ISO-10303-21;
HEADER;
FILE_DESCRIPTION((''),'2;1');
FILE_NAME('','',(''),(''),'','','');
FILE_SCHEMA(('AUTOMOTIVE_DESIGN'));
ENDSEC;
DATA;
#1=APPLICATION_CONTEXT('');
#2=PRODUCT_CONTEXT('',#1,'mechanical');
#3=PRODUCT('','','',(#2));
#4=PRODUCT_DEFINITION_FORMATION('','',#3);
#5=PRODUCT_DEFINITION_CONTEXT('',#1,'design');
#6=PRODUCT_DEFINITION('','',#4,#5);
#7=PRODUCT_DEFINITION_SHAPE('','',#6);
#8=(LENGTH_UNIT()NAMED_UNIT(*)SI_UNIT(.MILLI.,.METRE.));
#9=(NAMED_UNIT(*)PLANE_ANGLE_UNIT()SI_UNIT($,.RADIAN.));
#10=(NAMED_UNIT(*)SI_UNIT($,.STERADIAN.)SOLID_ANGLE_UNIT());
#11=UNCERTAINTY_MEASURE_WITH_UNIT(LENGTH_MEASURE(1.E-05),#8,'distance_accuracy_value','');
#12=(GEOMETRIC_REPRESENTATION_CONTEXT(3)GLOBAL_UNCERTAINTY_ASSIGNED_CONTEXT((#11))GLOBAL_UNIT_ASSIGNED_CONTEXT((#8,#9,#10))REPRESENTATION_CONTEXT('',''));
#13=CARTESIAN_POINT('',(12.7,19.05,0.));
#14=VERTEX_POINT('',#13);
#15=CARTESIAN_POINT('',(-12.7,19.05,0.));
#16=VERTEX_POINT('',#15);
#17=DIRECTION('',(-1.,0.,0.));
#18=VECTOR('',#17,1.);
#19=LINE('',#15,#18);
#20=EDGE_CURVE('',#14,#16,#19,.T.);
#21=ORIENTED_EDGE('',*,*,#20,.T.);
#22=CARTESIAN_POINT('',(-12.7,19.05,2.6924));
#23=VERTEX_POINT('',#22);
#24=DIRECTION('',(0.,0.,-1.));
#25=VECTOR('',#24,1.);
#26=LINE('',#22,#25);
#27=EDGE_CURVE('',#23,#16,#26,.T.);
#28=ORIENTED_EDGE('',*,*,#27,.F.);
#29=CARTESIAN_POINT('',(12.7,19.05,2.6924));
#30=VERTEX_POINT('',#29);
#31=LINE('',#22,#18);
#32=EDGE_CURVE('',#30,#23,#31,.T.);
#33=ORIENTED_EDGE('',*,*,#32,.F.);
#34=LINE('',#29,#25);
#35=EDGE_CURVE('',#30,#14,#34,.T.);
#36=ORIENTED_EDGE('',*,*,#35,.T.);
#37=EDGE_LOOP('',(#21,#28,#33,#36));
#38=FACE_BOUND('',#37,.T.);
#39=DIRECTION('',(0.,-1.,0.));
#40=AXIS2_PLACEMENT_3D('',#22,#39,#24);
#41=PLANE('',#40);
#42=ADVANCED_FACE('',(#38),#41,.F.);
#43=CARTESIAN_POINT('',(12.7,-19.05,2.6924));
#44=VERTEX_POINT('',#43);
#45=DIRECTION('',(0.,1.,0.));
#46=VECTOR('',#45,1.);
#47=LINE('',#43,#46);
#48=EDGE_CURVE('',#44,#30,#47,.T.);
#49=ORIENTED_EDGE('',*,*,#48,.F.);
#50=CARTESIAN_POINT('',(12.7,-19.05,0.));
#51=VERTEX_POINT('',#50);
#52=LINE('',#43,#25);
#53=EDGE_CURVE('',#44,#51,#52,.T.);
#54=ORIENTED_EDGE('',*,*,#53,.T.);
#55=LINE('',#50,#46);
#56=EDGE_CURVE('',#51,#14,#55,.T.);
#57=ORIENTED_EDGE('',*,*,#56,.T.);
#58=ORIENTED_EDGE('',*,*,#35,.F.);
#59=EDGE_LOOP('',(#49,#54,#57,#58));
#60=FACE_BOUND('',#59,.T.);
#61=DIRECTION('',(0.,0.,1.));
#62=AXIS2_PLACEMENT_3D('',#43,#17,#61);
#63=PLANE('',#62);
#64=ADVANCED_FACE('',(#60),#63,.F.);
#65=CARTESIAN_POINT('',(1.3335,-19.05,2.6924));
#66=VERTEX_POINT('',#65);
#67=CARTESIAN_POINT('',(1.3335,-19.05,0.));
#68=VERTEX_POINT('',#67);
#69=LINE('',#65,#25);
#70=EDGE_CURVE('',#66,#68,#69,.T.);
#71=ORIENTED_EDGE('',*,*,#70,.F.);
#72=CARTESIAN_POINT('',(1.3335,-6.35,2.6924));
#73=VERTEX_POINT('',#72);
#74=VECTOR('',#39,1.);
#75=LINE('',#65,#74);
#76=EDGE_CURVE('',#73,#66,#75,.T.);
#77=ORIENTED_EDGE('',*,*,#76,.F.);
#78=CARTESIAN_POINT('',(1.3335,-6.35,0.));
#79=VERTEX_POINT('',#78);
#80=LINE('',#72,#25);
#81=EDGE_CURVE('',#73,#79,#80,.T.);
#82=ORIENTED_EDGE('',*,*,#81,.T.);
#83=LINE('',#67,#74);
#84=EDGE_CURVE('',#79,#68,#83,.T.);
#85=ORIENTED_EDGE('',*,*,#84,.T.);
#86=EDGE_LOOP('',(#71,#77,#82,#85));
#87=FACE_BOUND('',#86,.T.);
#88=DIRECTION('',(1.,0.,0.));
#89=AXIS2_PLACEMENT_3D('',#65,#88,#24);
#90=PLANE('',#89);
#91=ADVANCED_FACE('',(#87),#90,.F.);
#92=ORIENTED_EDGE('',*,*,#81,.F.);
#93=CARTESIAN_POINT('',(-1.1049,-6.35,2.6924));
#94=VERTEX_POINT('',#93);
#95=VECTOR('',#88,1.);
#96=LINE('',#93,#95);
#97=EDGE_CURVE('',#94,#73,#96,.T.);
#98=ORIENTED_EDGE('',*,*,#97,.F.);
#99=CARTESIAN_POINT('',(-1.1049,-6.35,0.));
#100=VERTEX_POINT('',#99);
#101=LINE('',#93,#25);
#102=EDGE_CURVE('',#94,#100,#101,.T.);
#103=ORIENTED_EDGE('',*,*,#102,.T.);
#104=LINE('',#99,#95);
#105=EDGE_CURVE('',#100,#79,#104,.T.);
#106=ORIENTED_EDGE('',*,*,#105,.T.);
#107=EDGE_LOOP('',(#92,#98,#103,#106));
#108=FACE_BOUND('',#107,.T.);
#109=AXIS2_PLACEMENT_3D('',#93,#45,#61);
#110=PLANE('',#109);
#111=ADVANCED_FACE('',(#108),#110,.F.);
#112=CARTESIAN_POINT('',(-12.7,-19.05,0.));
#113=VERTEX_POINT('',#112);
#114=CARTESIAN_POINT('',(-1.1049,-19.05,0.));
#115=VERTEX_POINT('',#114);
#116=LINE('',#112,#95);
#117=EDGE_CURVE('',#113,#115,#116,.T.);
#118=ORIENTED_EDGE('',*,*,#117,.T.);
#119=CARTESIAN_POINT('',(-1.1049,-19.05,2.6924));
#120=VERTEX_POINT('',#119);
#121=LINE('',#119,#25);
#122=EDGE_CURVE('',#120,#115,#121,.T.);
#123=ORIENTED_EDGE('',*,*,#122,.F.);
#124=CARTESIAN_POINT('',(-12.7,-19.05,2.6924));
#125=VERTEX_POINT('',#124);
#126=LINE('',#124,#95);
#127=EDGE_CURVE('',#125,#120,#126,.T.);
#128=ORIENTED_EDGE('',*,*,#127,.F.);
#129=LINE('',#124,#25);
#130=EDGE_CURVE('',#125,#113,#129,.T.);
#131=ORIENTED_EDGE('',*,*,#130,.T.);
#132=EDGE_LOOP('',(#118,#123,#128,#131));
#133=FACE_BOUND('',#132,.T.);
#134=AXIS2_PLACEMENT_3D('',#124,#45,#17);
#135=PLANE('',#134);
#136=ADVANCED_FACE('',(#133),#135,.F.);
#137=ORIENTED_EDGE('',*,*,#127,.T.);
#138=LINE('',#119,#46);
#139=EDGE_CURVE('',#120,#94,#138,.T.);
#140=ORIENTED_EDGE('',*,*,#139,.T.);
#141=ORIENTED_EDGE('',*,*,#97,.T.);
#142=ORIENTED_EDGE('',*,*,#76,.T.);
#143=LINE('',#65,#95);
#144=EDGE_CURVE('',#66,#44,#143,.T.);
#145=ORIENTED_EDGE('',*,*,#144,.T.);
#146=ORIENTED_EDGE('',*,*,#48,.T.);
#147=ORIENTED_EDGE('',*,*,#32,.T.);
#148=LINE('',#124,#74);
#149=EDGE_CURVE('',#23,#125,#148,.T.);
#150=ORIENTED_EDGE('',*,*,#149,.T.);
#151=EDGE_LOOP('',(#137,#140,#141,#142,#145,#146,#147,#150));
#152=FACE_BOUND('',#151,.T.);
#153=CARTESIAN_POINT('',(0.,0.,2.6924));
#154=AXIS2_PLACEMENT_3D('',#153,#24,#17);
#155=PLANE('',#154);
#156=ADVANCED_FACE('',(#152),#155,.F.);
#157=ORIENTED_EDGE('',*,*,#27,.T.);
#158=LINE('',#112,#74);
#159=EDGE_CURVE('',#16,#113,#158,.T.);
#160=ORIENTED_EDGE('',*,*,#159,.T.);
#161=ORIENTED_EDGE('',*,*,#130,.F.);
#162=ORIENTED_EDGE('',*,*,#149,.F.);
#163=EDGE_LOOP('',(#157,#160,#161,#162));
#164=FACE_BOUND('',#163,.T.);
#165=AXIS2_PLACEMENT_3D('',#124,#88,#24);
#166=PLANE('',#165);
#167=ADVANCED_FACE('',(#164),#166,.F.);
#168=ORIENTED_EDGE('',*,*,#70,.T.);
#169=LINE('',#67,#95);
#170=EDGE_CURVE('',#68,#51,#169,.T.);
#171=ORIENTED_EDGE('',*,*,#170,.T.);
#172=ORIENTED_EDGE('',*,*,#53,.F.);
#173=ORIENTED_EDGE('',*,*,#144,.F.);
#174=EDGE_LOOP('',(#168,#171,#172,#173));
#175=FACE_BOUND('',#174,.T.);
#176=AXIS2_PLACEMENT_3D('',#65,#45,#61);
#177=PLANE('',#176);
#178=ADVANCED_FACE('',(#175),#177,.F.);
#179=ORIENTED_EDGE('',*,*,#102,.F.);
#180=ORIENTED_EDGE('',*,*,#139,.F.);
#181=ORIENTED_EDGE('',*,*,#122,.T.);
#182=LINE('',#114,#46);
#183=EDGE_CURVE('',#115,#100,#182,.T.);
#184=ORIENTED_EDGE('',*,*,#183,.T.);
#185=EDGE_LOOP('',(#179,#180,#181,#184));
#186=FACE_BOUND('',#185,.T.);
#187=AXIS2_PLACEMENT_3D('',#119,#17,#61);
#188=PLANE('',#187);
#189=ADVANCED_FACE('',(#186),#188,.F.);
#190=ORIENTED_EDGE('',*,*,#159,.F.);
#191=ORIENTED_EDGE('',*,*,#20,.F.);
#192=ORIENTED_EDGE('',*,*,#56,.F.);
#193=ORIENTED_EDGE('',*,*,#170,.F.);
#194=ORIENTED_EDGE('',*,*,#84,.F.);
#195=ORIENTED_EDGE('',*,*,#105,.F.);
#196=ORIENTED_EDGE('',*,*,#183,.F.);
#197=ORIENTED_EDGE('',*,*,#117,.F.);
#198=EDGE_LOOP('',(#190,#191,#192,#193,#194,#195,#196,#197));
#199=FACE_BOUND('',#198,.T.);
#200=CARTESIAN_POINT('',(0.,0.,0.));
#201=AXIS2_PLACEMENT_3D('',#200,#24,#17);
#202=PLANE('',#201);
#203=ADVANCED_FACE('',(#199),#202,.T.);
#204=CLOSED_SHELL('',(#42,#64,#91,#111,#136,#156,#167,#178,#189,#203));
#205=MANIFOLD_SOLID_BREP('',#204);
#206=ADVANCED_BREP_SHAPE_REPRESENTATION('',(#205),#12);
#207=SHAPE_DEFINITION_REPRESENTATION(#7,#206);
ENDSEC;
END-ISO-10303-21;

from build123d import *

# Parameters (mm, degrees)
BOSS_EXTRUDE1_DEPTH = 2.6924


with BuildPart() as part:
    # Sketch1 → Boss-Extrude1 (new body)
    with BuildSketch(Plane.XY):
        Polygon((1.3335, -19.05), (12.7, -19.05), (12.7, 19.05), (-12.7, 19.05), (-12.7, -19.05), (-1.1049, -19.05), (-1.1049, -6.35), (1.3335, -6.35), align=None)
    extrude(amount=BOSS_EXTRUDE1_DEPTH)


solid = part.part
